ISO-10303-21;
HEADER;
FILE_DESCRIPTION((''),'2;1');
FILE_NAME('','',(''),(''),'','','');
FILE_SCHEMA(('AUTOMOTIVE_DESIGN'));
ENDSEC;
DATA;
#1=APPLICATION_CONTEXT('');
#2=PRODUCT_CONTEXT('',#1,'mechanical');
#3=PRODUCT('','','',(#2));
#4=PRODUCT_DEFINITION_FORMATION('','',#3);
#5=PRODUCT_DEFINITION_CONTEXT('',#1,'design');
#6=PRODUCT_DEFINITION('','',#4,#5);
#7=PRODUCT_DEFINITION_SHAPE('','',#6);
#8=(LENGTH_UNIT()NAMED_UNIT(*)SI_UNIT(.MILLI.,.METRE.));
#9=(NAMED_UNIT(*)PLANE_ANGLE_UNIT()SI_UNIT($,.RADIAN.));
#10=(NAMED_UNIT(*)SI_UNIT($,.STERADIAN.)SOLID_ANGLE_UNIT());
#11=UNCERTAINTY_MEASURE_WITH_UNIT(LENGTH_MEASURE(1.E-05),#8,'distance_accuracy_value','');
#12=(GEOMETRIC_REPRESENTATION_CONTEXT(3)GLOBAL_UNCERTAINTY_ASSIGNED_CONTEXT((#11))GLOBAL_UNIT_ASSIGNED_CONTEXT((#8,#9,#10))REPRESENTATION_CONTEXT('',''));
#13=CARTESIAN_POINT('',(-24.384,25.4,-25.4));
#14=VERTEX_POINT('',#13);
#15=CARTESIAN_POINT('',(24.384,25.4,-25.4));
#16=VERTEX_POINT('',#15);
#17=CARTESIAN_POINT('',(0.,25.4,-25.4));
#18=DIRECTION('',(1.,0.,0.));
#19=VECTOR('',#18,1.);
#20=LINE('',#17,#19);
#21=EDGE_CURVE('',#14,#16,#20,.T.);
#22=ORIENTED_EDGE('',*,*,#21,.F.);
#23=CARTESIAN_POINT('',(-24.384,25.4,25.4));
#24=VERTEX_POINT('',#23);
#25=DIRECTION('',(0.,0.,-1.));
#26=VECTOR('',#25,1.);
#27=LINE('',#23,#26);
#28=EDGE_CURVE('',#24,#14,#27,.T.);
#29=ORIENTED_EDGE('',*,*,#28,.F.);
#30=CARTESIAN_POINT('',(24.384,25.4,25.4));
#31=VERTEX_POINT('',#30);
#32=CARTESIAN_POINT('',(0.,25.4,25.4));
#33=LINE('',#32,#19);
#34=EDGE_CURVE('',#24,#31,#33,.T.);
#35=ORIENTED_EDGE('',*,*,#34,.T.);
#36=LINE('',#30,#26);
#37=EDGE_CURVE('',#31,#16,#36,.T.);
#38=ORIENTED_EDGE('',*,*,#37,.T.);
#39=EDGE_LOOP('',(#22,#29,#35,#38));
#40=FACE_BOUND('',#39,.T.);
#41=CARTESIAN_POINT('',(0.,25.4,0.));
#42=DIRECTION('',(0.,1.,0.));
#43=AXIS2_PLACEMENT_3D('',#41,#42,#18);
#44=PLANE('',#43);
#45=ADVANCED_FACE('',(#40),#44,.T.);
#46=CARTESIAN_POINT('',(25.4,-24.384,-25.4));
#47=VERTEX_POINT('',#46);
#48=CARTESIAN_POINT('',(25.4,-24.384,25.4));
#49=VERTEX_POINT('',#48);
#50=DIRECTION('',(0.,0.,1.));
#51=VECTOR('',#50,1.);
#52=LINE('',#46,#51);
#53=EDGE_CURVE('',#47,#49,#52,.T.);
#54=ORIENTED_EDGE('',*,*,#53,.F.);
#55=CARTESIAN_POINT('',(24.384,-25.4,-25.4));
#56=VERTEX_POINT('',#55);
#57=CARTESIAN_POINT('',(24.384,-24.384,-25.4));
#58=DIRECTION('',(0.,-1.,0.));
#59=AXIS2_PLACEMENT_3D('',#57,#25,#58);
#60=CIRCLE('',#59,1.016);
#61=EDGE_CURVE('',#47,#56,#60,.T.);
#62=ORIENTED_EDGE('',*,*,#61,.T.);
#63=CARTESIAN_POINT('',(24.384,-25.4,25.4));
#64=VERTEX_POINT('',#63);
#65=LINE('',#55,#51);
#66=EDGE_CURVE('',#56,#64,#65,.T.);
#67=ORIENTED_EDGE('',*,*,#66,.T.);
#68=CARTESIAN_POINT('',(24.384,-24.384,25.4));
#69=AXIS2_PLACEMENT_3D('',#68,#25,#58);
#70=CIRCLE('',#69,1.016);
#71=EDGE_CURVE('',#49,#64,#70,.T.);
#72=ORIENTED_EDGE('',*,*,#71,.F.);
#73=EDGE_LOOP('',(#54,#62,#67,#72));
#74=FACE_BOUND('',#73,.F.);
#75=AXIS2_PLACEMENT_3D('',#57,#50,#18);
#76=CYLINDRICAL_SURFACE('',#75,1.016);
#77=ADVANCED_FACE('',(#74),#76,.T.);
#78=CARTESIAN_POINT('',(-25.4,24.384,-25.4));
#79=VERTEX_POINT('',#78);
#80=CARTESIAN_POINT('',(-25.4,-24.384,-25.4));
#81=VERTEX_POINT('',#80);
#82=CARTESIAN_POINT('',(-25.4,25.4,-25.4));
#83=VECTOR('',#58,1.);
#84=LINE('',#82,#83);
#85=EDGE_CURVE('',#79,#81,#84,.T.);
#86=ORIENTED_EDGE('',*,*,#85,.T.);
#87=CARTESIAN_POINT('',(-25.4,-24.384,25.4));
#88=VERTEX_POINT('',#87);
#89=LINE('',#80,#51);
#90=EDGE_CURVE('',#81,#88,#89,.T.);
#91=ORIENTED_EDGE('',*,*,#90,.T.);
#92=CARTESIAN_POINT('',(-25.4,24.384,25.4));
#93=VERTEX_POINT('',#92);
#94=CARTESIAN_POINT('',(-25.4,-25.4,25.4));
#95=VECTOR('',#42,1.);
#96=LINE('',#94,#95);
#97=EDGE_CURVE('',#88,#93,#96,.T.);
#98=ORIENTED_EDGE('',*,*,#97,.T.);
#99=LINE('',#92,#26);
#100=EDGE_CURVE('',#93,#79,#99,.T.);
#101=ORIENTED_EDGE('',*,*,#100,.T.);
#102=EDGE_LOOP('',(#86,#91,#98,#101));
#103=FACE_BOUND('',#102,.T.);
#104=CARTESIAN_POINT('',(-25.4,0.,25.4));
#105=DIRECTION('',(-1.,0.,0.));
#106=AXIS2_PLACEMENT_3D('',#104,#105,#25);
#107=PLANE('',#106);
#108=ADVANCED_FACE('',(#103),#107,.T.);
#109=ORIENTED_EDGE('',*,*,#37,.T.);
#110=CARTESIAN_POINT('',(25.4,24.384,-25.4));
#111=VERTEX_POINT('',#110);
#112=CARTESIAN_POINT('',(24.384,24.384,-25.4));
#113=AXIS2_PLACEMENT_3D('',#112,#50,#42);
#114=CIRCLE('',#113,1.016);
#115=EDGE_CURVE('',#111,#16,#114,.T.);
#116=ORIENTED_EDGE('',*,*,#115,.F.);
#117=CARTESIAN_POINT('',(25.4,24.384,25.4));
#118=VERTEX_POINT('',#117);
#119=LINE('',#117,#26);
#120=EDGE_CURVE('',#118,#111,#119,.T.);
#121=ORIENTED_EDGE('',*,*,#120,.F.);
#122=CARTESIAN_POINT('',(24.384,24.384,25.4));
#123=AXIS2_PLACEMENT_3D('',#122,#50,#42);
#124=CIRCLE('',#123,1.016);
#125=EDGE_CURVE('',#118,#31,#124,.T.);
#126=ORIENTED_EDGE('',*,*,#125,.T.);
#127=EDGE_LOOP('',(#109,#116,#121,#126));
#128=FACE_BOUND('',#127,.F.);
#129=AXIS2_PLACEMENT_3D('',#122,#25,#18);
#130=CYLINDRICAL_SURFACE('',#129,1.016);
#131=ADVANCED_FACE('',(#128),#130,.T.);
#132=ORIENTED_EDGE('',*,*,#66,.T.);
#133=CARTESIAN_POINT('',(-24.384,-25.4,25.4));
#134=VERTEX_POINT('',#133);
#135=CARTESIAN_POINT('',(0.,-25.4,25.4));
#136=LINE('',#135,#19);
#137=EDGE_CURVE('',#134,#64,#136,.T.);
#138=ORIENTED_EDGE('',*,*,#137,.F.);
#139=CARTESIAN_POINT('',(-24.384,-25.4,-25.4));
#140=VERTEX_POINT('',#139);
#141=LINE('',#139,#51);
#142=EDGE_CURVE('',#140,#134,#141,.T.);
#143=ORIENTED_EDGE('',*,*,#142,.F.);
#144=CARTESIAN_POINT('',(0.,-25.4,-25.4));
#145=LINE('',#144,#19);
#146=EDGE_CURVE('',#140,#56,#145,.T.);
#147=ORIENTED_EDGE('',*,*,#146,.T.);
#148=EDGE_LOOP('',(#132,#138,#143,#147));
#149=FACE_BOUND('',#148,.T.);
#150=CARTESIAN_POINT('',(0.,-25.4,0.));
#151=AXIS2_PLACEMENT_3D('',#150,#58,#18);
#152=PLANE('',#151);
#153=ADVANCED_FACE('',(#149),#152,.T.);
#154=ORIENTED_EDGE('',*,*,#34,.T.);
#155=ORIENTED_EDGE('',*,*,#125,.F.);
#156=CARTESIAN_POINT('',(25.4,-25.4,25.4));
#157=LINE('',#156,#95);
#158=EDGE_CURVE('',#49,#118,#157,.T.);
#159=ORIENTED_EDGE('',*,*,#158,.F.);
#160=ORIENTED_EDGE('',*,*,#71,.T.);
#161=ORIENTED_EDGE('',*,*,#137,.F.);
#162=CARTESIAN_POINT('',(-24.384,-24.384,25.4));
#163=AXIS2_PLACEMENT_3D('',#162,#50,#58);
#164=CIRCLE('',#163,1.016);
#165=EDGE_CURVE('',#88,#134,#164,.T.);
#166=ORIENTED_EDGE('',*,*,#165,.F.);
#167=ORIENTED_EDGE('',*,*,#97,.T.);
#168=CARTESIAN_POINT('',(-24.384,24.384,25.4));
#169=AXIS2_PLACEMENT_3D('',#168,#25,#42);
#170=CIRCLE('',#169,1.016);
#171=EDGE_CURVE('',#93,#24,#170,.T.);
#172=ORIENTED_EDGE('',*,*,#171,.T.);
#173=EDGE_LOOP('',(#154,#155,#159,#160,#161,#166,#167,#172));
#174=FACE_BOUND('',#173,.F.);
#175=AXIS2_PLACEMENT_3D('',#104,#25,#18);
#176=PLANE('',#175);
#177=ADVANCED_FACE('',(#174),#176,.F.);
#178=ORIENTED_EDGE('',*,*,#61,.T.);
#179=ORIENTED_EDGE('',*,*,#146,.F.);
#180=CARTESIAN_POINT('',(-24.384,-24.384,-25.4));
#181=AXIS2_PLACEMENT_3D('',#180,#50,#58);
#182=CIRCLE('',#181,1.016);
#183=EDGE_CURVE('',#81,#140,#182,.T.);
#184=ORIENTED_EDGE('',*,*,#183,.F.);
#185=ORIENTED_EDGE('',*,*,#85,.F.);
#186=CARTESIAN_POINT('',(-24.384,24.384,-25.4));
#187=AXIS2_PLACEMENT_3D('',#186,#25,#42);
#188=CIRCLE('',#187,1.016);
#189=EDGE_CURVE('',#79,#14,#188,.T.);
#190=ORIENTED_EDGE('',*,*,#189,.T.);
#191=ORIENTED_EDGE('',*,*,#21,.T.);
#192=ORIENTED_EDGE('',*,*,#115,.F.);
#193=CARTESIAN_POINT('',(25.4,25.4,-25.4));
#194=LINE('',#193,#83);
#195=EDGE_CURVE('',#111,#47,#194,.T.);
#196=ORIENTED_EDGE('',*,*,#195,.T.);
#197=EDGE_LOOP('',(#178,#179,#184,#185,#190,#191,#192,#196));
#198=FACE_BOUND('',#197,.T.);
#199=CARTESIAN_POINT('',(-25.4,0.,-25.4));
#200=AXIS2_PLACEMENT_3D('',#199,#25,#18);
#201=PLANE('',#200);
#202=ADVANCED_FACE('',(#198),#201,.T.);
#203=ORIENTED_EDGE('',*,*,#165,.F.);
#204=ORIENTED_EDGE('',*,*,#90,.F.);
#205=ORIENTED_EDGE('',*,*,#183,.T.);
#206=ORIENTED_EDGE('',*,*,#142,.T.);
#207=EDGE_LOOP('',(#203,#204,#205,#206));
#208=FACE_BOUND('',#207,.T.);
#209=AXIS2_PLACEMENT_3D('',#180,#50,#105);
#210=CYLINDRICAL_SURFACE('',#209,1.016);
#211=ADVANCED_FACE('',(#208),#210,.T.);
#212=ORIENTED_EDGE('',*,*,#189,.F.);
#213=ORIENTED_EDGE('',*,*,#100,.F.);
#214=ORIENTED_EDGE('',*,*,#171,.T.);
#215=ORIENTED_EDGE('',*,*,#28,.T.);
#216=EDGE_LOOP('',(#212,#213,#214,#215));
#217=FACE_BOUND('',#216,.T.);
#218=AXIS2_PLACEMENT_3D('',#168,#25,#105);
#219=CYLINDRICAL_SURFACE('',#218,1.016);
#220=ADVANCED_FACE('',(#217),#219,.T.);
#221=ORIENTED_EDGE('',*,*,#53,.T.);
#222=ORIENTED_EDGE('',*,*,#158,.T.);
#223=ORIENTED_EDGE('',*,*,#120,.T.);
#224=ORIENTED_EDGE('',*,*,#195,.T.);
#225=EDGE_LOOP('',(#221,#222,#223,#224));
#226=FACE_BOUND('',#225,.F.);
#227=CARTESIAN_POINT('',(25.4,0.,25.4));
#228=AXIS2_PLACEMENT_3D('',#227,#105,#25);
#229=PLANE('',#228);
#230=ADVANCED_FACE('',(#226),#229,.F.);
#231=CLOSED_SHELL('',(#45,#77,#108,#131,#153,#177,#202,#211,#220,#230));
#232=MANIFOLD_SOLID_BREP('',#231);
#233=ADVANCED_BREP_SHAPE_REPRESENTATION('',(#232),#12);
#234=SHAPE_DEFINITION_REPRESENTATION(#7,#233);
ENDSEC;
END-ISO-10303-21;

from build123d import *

# Parameters (mm, degrees)
F0_W      = 50.8
F0_H      = 50.8
F1_DEPTH  = 25.4
F1_FACE_W = 50.8
F1_FACE_H = 50.8
F2_DEPTH  = 25.4
F3_R      = 1.016


with BuildPart() as f1:
    # F0 (on Front) → F1 (new body)
    with BuildSketch(Plane.XZ):
        Rectangle(F0_W, F0_H)
    extrude(amount=F1_DEPTH)

    # F1_face (on face) → F2 (join)
    with BuildSketch(Plane(origin=(0, 0, 0), x_dir=(1, 0, 0), z_dir=(0, 1, 0))):
        Rectangle(F1_FACE_W, F1_FACE_H)
    extrude(amount=F2_DEPTH)

    # F3
    f3_edges = [f1.edges().sort_by_distance(p)[0] for p in [
        (25.4, -25.4, 0),
        (25.4, 25.4, 0),
        (-25.4, 25.4, 0),
        (-25.4, -25.4, 0),
    ]]
    fillet(f3_edges, radius=F3_R)


solid = f1.part
